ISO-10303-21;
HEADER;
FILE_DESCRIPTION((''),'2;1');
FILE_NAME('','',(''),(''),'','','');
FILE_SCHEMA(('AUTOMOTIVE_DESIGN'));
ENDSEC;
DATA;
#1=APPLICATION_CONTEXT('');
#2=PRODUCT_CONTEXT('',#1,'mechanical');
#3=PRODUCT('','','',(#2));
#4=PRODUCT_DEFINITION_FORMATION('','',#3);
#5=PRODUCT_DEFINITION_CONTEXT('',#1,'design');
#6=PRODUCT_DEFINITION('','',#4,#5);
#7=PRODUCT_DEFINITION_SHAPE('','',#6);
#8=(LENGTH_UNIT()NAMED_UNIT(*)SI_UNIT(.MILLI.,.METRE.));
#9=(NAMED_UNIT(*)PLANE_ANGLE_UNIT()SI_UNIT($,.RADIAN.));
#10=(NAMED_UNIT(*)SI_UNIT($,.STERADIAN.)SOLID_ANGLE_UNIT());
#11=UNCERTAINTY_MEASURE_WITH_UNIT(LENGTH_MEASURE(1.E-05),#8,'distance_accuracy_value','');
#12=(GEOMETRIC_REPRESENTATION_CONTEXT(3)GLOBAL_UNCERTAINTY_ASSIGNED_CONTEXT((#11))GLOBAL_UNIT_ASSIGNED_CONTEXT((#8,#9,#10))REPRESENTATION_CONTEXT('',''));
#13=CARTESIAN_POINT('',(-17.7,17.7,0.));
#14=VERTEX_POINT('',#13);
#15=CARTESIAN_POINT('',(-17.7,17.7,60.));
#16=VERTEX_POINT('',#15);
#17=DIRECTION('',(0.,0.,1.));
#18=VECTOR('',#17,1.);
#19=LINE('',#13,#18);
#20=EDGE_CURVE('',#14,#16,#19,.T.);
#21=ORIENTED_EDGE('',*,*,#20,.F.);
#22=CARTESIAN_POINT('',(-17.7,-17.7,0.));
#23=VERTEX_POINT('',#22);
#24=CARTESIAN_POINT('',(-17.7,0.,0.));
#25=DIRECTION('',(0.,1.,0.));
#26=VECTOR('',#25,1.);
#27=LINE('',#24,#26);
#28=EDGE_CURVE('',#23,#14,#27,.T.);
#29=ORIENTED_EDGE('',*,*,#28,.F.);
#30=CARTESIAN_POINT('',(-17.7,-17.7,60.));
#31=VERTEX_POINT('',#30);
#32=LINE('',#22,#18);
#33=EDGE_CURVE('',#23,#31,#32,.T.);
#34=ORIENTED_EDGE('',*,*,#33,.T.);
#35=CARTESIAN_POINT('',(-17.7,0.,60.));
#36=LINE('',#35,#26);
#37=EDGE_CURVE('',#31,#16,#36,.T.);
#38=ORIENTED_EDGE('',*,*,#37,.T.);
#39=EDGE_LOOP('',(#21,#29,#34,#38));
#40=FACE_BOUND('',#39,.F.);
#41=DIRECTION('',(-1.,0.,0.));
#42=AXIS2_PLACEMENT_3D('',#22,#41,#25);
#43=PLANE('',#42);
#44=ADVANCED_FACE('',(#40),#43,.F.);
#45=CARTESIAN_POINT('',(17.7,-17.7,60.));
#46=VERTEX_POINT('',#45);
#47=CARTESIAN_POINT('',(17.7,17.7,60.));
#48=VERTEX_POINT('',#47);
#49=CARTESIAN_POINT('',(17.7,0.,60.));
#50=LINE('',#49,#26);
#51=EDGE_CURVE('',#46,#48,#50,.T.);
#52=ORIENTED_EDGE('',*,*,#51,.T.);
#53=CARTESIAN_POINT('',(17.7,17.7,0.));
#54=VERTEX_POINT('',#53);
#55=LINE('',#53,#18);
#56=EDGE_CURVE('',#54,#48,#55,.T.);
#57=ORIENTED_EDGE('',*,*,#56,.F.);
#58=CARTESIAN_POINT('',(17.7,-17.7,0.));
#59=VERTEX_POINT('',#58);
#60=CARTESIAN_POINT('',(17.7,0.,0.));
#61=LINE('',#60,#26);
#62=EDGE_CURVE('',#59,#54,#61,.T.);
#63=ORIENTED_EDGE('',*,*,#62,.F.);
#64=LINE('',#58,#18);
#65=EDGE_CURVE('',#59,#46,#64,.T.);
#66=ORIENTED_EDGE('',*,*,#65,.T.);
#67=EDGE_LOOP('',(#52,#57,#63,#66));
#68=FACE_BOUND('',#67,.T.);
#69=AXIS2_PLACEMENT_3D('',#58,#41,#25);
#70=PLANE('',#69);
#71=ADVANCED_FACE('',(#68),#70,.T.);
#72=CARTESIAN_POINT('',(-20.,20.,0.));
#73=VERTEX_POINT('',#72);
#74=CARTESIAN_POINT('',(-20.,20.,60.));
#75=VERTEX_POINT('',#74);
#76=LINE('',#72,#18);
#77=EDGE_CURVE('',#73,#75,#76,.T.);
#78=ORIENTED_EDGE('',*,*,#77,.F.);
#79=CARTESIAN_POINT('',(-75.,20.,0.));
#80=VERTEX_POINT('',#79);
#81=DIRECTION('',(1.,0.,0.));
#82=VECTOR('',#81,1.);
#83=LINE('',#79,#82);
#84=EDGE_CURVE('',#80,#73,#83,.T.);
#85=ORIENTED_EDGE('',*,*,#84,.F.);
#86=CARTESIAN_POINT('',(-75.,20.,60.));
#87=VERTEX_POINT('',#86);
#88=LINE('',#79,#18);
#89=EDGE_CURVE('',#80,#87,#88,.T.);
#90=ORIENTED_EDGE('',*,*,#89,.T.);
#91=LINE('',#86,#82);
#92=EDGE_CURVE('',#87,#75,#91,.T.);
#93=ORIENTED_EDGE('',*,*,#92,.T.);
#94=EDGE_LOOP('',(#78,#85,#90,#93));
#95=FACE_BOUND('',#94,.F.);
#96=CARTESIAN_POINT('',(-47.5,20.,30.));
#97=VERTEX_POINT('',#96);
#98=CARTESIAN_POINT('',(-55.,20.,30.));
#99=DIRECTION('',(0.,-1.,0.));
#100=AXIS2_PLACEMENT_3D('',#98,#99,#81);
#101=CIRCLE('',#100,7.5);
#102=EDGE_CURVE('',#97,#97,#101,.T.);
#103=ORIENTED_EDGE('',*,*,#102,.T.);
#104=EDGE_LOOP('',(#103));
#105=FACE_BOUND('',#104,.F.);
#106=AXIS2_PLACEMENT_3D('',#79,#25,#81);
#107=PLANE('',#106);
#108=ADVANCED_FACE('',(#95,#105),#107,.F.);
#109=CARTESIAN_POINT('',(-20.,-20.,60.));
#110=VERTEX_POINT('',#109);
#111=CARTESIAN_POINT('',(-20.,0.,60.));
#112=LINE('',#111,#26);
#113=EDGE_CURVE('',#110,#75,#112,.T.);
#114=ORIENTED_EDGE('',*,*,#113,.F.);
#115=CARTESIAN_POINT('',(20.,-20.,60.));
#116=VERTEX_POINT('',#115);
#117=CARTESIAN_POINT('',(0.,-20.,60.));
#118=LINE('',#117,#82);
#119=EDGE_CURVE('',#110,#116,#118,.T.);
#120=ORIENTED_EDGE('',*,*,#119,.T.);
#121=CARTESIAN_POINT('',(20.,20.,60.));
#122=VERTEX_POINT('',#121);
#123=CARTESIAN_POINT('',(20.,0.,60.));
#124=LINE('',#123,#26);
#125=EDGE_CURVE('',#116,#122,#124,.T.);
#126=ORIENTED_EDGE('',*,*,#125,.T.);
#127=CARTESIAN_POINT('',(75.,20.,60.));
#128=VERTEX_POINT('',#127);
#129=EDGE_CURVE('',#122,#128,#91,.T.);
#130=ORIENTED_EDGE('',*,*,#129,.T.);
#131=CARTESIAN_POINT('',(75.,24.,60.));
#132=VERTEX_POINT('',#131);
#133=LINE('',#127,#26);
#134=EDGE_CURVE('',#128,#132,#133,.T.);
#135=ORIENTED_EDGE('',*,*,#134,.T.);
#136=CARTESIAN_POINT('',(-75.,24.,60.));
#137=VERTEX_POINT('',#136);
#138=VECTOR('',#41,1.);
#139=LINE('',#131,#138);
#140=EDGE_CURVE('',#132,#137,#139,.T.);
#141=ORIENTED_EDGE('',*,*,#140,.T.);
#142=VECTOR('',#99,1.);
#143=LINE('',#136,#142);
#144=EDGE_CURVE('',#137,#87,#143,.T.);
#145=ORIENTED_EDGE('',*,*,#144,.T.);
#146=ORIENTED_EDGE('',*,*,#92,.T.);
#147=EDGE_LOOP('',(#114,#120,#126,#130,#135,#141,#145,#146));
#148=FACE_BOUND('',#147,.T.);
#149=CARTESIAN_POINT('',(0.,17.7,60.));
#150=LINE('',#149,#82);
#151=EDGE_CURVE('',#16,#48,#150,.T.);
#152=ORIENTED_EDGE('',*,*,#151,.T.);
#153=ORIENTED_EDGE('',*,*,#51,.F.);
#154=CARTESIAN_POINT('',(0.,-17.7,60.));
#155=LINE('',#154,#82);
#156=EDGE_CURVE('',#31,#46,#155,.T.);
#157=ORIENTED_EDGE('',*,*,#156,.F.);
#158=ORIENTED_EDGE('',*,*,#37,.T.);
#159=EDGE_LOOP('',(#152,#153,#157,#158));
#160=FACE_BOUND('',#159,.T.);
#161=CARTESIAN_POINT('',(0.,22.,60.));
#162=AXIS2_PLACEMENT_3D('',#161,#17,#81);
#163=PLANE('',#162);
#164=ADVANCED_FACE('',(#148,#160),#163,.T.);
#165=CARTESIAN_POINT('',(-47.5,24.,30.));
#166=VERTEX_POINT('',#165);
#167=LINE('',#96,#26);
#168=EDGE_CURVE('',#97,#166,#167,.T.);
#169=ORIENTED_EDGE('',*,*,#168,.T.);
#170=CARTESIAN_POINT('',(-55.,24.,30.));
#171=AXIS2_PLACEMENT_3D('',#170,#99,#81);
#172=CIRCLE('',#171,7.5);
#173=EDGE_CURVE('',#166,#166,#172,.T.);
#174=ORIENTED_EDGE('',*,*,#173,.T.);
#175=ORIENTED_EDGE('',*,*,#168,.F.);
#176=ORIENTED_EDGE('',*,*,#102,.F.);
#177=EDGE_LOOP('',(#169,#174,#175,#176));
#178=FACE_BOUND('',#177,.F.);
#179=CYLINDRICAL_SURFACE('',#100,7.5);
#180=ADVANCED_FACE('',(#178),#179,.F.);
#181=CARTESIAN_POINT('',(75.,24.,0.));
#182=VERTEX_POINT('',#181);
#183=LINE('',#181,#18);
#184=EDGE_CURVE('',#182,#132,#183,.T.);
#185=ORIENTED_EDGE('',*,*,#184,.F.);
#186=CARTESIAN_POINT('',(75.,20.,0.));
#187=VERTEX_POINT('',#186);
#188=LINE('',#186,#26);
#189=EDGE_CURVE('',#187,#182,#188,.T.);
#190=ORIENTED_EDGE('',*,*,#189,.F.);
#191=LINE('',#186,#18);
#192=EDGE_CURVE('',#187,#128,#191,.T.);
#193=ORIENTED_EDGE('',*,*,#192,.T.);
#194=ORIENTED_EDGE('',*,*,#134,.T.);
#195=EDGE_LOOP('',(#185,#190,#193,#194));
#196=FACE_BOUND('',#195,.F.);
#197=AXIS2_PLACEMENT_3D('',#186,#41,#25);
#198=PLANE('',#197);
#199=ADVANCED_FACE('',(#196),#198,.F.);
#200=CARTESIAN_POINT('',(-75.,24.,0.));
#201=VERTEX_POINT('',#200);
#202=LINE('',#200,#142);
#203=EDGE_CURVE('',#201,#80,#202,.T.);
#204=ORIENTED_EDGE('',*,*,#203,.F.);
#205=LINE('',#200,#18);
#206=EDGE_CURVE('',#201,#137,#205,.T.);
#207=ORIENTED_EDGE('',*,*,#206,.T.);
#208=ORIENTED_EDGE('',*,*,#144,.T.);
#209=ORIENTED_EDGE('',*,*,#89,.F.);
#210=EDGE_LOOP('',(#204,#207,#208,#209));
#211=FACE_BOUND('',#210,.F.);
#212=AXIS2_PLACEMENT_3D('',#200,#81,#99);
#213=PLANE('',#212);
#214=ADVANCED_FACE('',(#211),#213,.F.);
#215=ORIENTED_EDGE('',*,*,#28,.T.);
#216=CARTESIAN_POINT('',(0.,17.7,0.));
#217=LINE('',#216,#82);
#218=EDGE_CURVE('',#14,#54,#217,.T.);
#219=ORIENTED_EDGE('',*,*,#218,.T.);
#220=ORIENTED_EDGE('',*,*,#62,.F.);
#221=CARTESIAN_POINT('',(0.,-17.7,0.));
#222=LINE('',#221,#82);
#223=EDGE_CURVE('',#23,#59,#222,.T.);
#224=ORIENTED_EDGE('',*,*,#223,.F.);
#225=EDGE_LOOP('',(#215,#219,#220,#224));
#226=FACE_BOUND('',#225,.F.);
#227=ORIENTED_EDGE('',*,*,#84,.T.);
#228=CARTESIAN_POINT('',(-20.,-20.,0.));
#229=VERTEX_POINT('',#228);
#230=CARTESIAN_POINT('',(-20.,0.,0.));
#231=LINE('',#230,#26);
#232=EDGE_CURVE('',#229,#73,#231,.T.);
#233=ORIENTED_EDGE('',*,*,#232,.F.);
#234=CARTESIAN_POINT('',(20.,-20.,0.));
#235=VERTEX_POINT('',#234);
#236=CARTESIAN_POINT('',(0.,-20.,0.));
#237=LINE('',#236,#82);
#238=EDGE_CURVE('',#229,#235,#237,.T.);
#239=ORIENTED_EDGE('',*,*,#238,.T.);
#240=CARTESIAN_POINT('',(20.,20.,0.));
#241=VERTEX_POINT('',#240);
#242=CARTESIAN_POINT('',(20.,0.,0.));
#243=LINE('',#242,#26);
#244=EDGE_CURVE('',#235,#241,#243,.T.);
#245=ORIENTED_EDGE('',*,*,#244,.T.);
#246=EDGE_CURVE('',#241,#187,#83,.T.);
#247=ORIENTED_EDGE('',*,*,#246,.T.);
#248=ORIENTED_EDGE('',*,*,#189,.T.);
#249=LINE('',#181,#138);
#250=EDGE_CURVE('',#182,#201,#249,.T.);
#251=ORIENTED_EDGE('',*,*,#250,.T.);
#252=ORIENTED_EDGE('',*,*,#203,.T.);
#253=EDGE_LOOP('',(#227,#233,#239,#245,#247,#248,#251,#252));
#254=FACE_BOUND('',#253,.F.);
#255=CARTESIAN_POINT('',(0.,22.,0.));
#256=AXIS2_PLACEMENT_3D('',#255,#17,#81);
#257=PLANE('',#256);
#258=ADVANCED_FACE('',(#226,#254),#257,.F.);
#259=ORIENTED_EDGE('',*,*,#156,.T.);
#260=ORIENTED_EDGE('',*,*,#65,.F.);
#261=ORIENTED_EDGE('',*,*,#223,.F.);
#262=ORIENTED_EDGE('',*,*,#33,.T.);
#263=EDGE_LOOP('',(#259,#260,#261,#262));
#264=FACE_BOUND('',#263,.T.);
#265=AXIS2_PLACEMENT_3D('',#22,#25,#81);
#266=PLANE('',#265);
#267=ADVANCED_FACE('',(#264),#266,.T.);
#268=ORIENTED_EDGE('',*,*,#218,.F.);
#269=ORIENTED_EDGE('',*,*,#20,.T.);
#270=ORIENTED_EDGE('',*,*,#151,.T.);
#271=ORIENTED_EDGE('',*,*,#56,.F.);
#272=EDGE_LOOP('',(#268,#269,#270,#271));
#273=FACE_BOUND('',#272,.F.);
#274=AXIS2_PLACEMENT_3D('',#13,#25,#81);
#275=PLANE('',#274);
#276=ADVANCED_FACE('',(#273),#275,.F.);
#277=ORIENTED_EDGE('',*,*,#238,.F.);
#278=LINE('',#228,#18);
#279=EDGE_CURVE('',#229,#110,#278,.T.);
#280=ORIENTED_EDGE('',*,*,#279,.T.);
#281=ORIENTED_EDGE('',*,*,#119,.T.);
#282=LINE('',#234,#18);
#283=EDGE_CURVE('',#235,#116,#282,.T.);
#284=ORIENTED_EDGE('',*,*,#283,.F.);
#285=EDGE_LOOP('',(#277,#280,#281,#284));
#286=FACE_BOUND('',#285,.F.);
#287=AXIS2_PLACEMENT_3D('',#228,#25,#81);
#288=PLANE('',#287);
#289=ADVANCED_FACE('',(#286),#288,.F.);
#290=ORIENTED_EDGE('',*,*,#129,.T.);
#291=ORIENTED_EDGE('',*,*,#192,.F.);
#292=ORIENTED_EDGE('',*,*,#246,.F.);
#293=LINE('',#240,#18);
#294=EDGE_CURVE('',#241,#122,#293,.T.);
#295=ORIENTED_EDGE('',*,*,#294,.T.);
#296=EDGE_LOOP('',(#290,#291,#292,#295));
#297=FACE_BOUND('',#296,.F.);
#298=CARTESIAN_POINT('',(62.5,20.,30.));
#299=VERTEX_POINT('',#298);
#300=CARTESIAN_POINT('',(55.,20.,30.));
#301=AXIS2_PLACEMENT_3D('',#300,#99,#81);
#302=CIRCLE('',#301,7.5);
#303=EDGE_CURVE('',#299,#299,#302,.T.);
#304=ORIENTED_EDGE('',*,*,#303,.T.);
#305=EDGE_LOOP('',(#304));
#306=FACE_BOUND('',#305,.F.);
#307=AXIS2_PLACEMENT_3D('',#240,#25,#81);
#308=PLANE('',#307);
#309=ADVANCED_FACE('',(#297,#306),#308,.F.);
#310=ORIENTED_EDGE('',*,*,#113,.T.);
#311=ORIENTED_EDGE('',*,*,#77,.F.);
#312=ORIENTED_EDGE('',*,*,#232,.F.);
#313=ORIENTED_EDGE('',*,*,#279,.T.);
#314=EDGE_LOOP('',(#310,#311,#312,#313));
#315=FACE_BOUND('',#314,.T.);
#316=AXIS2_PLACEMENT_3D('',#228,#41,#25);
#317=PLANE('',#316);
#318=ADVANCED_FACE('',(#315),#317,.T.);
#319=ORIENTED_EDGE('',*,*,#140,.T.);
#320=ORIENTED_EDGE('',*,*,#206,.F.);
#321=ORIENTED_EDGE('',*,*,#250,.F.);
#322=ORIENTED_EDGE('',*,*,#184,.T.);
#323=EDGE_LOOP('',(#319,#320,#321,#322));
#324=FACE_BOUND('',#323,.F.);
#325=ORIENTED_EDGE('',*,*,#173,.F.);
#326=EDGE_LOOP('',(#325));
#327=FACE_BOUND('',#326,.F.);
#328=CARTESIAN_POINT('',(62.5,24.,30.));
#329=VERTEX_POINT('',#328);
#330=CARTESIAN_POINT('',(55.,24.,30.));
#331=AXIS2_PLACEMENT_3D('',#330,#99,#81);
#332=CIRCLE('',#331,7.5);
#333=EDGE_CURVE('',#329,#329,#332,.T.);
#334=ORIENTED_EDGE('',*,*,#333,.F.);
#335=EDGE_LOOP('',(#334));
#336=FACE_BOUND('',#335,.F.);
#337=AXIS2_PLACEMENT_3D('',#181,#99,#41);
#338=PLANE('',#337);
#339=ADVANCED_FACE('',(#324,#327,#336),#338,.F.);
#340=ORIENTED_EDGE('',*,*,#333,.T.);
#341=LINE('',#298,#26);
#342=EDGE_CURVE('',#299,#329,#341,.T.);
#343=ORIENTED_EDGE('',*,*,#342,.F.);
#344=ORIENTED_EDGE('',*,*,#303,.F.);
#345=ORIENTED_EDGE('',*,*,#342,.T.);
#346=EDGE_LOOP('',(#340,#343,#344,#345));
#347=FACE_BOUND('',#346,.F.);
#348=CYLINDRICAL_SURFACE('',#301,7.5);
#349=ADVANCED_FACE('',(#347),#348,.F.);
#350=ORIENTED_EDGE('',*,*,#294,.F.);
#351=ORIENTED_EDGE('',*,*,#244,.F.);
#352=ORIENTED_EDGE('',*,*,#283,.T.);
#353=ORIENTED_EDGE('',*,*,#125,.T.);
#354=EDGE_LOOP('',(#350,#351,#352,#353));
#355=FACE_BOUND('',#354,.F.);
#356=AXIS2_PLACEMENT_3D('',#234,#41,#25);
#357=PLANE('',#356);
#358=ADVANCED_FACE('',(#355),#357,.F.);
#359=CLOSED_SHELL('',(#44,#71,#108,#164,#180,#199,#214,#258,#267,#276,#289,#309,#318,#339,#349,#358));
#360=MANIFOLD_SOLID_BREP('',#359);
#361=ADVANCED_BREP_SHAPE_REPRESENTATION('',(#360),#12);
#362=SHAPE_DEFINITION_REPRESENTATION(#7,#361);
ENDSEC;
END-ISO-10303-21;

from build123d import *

# Parameters (mm, degrees)
F0_W     = 40
F0_H     = 40
F0_W_2   = 35.4
F0_H_2   = 35.4
F1_DEPTH = 60
F2_R     = 7.5
F3_DEPTH = 4.001


with BuildPart() as f1:
    # F0 (on Top) → F1 (new body)
    with BuildSketch(Plane.XY):
        Polygon((-20, 20), (20, 20), (75, 20), (75, 24), (-75, 24), (-75, 20), align=None)
        Rectangle(F0_W, F0_H)
        Rectangle(F0_W_2, F0_H_2, mode=Mode.SUBTRACT)
    extrude(amount=F1_DEPTH)

    # F2 (on face) → F3 (cut, through all)
    with BuildSketch(Plane.XZ.offset(-20)):
        with Locations((-55, 30)):
            Circle(F2_R)
        with Locations((55, 30)):
            Circle(F2_R)
    extrude(amount=-F3_DEPTH, mode=Mode.SUBTRACT)


solid = f1.part
